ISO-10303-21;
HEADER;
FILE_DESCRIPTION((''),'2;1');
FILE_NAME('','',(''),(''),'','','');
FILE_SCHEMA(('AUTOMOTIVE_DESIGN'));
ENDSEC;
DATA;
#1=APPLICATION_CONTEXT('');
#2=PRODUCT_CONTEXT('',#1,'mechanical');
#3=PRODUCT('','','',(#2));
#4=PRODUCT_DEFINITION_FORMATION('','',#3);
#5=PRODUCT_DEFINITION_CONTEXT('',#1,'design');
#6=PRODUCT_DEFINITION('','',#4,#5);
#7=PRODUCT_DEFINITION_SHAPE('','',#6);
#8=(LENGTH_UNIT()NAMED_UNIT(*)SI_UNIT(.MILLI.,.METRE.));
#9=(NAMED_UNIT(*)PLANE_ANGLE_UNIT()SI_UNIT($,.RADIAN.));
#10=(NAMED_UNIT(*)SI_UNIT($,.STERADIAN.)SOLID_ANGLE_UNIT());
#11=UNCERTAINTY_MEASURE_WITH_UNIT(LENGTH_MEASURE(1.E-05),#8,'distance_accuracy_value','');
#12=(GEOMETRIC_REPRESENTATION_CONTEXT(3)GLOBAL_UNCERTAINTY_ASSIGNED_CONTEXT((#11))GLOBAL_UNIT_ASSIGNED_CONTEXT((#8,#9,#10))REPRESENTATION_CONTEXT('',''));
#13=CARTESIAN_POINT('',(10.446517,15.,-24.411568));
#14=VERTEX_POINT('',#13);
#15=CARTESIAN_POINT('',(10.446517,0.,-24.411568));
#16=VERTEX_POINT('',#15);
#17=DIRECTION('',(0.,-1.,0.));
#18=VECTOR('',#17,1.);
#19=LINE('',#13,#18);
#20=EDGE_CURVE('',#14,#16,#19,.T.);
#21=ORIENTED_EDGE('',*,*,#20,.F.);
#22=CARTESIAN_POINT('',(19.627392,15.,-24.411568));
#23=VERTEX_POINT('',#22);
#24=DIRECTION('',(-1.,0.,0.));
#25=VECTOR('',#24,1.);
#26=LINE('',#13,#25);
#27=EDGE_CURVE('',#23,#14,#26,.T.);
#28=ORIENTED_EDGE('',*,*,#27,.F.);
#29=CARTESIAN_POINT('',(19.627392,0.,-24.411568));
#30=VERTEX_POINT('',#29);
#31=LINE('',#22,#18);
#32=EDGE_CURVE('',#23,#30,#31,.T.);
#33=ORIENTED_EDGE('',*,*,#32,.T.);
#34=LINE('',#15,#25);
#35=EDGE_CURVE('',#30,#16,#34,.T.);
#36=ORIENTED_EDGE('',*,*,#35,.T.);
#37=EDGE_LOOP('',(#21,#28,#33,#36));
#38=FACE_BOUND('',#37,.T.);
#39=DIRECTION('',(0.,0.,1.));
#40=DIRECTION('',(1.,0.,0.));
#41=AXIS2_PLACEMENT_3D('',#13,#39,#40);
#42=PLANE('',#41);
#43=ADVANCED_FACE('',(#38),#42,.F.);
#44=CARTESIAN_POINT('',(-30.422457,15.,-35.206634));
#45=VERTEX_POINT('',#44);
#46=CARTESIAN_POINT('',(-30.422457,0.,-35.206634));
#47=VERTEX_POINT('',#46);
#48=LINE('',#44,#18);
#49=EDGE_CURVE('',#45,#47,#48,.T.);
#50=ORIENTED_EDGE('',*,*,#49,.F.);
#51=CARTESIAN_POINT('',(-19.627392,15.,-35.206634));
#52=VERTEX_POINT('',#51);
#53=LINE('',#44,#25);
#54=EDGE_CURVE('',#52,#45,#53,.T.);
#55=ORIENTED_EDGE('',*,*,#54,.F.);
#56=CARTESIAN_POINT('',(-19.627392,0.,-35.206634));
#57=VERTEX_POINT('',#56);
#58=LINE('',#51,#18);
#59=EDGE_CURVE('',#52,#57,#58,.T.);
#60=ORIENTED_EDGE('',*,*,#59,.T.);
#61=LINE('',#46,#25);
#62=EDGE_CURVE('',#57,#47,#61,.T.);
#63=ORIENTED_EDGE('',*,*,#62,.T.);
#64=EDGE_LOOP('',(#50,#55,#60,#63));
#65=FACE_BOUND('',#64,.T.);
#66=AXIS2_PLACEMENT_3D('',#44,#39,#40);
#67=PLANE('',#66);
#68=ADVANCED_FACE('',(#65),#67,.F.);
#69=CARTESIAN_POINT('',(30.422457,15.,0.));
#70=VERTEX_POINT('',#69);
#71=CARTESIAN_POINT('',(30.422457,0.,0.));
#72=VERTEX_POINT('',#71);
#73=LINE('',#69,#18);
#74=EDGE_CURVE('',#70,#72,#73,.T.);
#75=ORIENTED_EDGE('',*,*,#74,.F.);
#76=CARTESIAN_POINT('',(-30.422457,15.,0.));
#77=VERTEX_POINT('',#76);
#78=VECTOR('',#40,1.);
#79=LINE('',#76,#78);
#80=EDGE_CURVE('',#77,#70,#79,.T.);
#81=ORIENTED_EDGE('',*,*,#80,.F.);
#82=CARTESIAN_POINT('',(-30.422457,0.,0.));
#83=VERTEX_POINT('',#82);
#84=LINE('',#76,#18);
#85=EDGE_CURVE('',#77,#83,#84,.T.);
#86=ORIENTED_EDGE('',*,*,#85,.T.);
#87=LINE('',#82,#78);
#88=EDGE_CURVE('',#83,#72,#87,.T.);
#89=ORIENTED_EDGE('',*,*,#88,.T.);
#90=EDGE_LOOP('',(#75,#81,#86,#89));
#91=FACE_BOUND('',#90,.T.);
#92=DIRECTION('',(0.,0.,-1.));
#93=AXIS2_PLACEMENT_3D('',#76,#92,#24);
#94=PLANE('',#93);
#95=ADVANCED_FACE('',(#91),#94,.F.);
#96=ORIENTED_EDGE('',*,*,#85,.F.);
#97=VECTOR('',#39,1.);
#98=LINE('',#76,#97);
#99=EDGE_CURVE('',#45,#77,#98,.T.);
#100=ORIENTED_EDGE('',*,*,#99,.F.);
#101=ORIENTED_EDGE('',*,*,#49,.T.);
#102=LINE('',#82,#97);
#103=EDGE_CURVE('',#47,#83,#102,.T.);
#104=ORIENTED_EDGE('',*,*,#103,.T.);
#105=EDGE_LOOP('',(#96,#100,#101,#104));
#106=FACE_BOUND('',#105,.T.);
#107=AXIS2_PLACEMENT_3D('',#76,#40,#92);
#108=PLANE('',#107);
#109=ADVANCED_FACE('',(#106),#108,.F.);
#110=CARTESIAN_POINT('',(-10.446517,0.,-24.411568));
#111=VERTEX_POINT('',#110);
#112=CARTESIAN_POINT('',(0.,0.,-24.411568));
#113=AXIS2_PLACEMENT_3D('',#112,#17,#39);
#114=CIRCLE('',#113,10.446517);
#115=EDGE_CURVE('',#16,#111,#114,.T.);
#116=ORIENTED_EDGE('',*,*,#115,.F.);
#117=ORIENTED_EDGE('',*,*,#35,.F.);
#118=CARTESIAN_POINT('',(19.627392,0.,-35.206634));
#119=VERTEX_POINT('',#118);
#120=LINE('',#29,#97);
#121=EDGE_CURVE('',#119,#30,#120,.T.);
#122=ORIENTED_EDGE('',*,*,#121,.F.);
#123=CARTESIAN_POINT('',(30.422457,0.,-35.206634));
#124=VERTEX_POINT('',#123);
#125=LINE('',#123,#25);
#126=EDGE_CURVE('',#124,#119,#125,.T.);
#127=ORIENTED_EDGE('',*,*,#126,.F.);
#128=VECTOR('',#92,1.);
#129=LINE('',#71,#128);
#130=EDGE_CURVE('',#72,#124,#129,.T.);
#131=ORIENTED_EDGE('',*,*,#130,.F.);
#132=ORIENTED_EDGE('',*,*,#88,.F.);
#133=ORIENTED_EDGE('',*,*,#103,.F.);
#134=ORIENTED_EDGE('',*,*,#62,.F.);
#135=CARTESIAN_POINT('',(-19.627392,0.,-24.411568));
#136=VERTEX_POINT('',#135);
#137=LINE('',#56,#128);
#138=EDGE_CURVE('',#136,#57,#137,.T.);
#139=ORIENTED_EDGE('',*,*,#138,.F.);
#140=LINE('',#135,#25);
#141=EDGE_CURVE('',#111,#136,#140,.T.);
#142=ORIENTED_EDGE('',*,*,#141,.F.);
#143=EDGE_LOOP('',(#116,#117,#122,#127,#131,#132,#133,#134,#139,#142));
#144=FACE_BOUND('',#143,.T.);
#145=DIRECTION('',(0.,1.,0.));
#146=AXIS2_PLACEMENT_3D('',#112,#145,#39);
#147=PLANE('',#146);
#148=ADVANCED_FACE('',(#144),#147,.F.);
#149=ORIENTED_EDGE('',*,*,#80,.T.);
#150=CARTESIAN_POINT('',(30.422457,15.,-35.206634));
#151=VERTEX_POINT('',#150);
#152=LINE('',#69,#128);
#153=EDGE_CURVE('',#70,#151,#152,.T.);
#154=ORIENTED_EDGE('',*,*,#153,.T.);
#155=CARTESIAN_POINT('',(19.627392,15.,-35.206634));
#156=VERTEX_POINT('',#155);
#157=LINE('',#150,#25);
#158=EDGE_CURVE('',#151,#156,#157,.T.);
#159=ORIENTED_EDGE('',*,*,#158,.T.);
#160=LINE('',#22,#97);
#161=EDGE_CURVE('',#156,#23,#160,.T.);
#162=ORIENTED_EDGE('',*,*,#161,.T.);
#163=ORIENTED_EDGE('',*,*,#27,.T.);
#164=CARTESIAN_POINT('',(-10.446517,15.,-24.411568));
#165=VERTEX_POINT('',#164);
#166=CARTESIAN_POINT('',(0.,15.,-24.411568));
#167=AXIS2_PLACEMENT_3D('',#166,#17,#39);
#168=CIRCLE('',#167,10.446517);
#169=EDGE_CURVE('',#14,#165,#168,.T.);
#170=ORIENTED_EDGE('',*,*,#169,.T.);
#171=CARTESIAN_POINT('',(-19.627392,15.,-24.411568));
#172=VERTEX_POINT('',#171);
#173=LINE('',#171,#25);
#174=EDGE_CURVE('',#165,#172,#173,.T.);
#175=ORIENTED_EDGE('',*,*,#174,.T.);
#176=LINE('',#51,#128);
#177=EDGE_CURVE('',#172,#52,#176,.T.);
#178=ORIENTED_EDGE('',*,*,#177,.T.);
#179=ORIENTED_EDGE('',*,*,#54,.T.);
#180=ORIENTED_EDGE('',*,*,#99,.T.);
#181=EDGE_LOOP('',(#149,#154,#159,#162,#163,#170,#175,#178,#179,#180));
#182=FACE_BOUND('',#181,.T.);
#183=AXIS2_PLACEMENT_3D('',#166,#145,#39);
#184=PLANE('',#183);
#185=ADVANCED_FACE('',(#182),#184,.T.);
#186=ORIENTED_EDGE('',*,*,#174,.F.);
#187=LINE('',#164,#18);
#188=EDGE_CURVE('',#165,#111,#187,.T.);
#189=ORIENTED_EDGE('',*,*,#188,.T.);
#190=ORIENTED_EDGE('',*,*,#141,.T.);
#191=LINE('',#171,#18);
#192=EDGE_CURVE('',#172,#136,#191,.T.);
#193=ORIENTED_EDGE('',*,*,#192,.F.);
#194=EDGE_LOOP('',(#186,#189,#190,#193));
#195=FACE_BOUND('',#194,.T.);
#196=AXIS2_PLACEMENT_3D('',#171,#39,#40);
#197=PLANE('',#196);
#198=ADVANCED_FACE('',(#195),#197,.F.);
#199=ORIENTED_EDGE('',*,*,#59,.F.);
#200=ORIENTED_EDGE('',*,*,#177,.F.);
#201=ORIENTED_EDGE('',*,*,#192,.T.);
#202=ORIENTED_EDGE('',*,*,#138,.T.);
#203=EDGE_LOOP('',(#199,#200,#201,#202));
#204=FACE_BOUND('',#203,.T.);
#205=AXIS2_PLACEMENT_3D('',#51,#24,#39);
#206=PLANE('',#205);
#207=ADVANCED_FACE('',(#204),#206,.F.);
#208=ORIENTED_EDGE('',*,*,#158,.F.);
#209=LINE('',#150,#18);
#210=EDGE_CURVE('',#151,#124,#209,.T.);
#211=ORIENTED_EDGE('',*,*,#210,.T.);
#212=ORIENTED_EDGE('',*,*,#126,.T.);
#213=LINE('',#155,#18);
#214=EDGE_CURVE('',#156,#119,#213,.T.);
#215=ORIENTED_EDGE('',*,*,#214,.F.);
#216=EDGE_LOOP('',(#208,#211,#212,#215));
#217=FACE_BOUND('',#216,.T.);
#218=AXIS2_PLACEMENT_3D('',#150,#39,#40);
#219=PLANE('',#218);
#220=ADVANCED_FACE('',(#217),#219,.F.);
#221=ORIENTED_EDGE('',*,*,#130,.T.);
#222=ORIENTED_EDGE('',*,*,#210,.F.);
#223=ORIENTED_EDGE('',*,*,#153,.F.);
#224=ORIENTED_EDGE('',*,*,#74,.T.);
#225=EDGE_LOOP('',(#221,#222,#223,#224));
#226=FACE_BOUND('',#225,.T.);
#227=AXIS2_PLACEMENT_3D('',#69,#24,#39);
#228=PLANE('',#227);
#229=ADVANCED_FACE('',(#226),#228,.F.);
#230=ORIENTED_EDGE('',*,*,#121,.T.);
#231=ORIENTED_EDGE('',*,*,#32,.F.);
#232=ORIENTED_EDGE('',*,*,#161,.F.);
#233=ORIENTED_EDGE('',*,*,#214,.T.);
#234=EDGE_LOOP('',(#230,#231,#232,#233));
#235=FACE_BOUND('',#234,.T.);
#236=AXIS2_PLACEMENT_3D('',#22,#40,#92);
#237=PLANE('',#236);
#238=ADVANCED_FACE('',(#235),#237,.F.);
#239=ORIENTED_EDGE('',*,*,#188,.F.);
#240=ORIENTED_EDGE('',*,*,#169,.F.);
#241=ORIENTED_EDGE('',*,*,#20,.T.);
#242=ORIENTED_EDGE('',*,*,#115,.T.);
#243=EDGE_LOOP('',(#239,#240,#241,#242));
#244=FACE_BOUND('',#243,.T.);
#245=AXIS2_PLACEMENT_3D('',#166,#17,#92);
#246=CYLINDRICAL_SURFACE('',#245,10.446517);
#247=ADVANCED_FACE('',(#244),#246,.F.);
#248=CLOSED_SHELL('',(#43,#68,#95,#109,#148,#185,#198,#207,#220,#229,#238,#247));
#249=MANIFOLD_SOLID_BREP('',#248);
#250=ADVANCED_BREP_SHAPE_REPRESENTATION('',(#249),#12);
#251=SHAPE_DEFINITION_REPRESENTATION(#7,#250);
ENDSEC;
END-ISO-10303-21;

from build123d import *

# Parameters (mm, degrees)
BOSS_EXTRUDE1_DEPTH = 15


with BuildPart() as part:
    # Sketch4 → Boss-Extrude1 (new body)
    with BuildSketch(Plane(origin=(0, 0, 0), x_dir=(1, 0, 0), z_dir=(0, 1, 0))):
        with BuildLine():
            Line((-30.42245721, 0), (30.42245721, 0))
            Line((30.42245721, 0), (30.42245721, 35.206633949))
            Line((30.42245721, 35.206633949), (19.627391749, 35.206633949))
            Line((19.627391749, 35.206633949), (19.627391749, 24.411568487))
            Line((19.627391749, 24.411568487), (10.446516771, 24.411568487))
            ThreePointArc((10.446516771, 24.411568487), (0, 13.965051717), (-10.446516771, 24.411568487))
            Line((-10.446516771, 24.411568487), (-19.627391749, 24.411568487))
            Line((-19.627391749, 24.411568487), (-19.627391749, 35.206633949))
            Line((-19.627391749, 35.206633949), (-30.42245721, 35.206633949))
            Line((-30.42245721, 35.206633949), (-30.42245721, 0))
        make_face()
    extrude(amount=BOSS_EXTRUDE1_DEPTH)


solid = part.part
